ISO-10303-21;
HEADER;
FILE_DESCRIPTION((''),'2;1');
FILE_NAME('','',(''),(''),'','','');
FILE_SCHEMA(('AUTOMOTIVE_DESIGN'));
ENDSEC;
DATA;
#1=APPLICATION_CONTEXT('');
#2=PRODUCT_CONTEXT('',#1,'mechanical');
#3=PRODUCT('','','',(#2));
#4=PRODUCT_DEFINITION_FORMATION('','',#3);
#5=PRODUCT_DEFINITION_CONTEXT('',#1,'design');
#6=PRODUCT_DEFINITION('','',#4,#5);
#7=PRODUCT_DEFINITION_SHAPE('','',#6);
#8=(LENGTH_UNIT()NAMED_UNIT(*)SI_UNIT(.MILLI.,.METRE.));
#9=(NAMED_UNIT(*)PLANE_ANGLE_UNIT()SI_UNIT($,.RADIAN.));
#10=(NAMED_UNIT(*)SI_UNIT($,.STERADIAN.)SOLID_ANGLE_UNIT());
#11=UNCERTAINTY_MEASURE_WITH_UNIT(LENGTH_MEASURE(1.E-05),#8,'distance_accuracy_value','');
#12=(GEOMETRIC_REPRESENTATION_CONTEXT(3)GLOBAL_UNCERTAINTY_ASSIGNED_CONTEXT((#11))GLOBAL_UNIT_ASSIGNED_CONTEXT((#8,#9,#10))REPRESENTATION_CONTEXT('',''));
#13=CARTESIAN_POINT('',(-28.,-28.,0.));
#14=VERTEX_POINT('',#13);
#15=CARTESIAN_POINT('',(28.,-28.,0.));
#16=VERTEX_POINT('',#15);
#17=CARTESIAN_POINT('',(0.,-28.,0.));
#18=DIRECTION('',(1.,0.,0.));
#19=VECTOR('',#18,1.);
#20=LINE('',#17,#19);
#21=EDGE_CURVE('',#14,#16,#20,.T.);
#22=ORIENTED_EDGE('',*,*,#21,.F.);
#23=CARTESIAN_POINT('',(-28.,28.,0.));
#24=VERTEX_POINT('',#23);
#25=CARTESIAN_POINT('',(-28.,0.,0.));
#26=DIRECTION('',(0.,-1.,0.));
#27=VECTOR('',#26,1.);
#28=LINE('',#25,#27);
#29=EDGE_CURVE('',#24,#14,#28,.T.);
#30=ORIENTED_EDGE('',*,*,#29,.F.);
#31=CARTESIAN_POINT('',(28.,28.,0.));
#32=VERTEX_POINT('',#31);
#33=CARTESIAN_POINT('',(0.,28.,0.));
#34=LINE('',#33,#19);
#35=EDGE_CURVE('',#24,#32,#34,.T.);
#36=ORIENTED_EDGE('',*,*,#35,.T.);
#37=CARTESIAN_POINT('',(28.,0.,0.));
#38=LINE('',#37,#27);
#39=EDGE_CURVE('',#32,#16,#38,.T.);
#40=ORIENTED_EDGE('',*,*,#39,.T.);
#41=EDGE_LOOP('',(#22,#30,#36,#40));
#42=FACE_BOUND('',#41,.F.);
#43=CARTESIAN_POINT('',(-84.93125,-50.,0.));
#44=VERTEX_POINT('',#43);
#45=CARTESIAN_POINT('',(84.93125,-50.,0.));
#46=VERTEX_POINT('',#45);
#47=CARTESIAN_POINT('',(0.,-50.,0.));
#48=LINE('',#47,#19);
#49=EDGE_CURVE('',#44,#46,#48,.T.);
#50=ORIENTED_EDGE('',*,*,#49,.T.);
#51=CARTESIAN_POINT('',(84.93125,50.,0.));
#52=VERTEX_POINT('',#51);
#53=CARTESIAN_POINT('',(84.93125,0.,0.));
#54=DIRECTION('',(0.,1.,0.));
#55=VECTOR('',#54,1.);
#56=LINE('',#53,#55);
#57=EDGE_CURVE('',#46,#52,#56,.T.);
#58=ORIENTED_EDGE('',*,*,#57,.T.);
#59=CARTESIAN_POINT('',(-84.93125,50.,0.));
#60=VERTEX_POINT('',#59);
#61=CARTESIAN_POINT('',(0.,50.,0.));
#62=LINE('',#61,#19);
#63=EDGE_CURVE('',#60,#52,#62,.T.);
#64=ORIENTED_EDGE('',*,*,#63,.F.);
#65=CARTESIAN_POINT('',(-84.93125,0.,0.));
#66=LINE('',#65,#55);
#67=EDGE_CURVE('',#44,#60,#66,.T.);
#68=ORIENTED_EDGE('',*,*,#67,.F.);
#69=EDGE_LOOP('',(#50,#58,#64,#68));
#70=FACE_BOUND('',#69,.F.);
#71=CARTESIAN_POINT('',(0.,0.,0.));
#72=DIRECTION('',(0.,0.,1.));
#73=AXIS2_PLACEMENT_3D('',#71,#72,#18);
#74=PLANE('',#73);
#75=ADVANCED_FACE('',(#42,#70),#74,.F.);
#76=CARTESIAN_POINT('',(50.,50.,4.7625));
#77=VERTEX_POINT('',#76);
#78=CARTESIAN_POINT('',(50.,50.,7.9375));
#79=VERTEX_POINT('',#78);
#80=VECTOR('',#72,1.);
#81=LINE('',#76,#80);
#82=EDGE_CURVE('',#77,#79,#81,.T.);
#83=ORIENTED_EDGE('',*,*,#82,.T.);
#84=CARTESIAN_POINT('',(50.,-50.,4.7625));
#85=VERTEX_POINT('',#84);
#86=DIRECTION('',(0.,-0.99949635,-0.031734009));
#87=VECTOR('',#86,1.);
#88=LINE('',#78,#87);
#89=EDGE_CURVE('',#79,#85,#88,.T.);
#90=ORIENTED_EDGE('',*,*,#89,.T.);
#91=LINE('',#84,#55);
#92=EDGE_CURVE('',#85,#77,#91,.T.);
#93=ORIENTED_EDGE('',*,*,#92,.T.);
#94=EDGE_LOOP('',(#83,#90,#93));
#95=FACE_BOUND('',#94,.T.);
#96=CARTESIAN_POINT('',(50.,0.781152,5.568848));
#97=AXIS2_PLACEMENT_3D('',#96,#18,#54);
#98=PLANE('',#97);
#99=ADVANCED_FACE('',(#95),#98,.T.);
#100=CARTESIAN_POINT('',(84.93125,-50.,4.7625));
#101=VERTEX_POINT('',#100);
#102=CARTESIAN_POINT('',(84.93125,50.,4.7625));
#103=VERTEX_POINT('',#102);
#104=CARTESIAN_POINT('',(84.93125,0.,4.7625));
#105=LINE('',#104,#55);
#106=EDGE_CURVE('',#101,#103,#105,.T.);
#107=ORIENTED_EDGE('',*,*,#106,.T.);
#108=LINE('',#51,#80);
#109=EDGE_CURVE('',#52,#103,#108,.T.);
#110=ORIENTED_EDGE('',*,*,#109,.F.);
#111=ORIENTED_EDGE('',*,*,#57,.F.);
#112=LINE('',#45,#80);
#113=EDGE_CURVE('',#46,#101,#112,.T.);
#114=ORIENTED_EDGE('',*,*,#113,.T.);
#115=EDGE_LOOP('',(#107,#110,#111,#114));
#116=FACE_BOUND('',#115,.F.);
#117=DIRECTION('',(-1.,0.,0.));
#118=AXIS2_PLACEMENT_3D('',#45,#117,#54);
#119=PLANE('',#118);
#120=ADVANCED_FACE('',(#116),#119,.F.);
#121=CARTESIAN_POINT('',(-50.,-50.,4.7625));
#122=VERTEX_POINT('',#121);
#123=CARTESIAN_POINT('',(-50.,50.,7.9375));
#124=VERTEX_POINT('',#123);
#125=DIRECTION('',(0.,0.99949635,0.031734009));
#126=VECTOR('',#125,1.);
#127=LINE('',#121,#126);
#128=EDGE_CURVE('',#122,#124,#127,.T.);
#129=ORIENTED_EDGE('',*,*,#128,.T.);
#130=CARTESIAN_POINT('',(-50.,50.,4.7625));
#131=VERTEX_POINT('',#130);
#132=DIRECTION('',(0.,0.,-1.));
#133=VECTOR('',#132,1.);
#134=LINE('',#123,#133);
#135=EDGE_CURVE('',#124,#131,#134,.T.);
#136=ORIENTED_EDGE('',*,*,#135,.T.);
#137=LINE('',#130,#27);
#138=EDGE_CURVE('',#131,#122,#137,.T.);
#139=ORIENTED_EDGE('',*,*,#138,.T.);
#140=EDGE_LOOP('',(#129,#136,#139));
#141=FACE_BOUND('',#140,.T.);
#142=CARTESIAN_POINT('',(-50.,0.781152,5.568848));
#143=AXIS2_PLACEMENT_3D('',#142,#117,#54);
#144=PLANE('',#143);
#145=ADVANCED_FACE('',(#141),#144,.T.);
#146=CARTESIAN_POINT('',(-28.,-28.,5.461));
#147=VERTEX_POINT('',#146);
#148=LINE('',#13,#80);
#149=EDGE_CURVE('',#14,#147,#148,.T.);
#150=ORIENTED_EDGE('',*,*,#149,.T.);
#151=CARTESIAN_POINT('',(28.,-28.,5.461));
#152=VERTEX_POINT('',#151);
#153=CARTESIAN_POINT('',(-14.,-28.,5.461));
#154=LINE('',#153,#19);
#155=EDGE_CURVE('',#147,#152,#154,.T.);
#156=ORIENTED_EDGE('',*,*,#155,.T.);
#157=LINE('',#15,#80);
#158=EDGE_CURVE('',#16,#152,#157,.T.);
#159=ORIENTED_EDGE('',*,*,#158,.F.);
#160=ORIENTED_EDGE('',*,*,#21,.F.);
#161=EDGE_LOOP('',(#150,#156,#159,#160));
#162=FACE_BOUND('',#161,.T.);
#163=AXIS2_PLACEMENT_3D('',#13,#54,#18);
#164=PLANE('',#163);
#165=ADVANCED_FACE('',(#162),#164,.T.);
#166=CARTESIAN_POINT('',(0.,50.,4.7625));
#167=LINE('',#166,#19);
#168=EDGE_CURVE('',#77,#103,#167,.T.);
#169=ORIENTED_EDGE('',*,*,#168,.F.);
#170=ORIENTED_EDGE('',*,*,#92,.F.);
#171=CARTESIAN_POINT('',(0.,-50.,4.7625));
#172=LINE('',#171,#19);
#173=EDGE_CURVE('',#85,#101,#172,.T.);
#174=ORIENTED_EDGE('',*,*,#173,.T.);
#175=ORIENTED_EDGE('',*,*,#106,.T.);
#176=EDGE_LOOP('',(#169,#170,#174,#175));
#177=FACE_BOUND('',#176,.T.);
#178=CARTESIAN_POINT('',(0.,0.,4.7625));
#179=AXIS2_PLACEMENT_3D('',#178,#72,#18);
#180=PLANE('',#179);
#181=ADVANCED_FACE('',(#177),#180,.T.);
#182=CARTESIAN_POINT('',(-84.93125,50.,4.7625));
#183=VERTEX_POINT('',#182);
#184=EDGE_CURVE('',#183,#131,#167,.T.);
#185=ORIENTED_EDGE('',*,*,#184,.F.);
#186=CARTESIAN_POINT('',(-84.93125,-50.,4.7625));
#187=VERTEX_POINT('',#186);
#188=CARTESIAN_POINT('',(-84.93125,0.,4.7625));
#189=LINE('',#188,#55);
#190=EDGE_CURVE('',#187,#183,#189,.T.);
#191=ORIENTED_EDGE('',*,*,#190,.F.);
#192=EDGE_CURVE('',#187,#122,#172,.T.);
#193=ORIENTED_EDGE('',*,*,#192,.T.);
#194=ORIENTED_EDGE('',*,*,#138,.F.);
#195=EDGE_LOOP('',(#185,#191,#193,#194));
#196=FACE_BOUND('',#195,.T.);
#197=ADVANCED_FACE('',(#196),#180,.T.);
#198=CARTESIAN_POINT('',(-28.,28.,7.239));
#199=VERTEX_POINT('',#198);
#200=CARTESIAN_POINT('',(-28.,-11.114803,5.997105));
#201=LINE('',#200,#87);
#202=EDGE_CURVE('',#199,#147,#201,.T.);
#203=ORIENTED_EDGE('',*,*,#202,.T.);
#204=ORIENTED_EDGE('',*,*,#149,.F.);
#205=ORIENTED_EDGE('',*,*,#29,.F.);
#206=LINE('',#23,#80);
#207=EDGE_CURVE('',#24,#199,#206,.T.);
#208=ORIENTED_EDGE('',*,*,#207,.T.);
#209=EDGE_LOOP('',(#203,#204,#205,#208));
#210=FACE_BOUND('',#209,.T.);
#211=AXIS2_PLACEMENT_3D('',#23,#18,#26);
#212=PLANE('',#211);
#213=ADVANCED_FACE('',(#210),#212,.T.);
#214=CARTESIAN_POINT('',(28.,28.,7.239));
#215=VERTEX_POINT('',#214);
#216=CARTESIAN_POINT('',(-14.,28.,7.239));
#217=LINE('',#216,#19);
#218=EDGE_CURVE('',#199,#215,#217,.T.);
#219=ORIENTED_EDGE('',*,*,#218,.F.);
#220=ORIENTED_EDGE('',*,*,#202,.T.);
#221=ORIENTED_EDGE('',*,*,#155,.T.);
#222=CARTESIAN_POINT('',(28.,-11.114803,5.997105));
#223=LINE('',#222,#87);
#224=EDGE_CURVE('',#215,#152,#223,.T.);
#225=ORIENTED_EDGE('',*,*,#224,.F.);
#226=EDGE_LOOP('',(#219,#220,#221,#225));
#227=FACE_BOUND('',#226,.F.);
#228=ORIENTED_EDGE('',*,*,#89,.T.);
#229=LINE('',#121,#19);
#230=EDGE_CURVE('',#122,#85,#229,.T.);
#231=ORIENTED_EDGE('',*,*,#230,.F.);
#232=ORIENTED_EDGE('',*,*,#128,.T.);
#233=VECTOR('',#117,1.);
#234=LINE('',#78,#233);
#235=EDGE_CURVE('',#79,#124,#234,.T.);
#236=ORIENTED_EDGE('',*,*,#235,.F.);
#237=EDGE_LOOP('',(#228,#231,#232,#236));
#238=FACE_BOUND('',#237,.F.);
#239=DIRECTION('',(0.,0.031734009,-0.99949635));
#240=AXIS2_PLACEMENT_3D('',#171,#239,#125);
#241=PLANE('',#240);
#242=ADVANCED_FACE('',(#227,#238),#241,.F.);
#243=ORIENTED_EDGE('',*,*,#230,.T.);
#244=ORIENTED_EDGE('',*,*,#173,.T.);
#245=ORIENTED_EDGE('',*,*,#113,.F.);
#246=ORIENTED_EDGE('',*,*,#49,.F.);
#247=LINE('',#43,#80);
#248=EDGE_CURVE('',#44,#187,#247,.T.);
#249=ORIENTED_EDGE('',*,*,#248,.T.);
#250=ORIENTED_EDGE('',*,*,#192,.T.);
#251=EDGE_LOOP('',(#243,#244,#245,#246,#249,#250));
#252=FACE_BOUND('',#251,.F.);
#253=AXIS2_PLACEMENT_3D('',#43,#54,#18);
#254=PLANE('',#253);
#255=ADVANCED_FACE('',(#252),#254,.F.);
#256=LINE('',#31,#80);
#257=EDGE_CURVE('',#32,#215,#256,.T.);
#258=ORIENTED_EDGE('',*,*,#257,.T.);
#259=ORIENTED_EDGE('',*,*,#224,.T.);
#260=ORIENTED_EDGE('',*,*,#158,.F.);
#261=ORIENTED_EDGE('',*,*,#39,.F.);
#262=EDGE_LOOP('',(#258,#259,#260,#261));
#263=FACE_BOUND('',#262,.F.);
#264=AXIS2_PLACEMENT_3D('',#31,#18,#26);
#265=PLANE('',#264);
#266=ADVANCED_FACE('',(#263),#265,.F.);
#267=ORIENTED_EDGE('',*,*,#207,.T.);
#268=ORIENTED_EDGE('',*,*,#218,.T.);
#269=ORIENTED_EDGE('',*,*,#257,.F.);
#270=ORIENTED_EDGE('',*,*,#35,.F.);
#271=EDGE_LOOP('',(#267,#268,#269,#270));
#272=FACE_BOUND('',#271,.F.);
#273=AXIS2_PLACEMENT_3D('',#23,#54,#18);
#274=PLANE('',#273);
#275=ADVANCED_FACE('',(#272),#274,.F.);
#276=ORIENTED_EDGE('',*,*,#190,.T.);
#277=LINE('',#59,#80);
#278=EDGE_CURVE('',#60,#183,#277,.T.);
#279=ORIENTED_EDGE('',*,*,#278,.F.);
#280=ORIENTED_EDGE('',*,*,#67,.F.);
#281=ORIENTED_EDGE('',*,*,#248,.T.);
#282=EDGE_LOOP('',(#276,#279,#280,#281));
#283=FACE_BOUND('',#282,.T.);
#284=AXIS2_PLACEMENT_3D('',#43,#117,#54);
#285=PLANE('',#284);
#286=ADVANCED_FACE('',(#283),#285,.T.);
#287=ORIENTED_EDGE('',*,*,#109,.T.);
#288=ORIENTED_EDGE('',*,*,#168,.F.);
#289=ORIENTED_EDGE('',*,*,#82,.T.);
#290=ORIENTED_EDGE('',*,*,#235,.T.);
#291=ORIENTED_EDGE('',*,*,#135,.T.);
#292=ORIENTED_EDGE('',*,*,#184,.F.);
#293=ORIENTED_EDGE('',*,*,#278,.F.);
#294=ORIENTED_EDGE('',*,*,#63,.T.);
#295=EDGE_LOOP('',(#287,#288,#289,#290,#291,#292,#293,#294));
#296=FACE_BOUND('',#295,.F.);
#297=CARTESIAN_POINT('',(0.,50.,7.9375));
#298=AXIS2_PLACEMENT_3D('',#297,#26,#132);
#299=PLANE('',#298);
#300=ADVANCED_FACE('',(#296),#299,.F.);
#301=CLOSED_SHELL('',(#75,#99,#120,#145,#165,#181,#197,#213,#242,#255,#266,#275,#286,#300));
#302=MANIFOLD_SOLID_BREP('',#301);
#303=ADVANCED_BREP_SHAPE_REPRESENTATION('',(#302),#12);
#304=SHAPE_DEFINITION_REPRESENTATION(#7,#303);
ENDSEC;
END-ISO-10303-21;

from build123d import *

# Parameters (mm, degrees)
F0_W     = 169.8625
F0_H     = 100
F1_DEPTH = 4.7625
F3_DEPTH = 50
F4_DEPTH = 50
F5_W     = 56
F5_H     = 56
F6_DEPTH = 7.9385


with BuildPart() as f1:
    # F0 (on Top) → F1 (new body)
    with BuildSketch(Plane.XY):
        Rectangle(F0_W, F0_H)
    extrude(amount=F1_DEPTH)

    # F2 (on Right) → F3 (join)
    with BuildSketch(Plane.YZ):
        Polygon((-50, 4.7625), (50, 4.7625), (50, 7.9375), align=None)
    extrude(amount=F3_DEPTH)

    # F3_face (on face) → F4 (join)
    with BuildSketch(Plane(origin=(0, 16.666667, 5.820833), x_dir=(0, 1, 0), z_dir=(-1, 0, 0))):
        Polygon((33.333333, 1.058333), (-66.666667, 1.058333), (33.333333, -2.116667), align=None)
    extrude(amount=F4_DEPTH)

    # F5 (on face) → F6 (cut, through all)
    with BuildSketch(Plane(origin=(0, 0, 0), x_dir=(1, 0, 0), z_dir=(0, 0, -1))):
        Rectangle(F5_W, F5_H)
    extrude(amount=-F6_DEPTH, mode=Mode.SUBTRACT)


solid = f1.part
